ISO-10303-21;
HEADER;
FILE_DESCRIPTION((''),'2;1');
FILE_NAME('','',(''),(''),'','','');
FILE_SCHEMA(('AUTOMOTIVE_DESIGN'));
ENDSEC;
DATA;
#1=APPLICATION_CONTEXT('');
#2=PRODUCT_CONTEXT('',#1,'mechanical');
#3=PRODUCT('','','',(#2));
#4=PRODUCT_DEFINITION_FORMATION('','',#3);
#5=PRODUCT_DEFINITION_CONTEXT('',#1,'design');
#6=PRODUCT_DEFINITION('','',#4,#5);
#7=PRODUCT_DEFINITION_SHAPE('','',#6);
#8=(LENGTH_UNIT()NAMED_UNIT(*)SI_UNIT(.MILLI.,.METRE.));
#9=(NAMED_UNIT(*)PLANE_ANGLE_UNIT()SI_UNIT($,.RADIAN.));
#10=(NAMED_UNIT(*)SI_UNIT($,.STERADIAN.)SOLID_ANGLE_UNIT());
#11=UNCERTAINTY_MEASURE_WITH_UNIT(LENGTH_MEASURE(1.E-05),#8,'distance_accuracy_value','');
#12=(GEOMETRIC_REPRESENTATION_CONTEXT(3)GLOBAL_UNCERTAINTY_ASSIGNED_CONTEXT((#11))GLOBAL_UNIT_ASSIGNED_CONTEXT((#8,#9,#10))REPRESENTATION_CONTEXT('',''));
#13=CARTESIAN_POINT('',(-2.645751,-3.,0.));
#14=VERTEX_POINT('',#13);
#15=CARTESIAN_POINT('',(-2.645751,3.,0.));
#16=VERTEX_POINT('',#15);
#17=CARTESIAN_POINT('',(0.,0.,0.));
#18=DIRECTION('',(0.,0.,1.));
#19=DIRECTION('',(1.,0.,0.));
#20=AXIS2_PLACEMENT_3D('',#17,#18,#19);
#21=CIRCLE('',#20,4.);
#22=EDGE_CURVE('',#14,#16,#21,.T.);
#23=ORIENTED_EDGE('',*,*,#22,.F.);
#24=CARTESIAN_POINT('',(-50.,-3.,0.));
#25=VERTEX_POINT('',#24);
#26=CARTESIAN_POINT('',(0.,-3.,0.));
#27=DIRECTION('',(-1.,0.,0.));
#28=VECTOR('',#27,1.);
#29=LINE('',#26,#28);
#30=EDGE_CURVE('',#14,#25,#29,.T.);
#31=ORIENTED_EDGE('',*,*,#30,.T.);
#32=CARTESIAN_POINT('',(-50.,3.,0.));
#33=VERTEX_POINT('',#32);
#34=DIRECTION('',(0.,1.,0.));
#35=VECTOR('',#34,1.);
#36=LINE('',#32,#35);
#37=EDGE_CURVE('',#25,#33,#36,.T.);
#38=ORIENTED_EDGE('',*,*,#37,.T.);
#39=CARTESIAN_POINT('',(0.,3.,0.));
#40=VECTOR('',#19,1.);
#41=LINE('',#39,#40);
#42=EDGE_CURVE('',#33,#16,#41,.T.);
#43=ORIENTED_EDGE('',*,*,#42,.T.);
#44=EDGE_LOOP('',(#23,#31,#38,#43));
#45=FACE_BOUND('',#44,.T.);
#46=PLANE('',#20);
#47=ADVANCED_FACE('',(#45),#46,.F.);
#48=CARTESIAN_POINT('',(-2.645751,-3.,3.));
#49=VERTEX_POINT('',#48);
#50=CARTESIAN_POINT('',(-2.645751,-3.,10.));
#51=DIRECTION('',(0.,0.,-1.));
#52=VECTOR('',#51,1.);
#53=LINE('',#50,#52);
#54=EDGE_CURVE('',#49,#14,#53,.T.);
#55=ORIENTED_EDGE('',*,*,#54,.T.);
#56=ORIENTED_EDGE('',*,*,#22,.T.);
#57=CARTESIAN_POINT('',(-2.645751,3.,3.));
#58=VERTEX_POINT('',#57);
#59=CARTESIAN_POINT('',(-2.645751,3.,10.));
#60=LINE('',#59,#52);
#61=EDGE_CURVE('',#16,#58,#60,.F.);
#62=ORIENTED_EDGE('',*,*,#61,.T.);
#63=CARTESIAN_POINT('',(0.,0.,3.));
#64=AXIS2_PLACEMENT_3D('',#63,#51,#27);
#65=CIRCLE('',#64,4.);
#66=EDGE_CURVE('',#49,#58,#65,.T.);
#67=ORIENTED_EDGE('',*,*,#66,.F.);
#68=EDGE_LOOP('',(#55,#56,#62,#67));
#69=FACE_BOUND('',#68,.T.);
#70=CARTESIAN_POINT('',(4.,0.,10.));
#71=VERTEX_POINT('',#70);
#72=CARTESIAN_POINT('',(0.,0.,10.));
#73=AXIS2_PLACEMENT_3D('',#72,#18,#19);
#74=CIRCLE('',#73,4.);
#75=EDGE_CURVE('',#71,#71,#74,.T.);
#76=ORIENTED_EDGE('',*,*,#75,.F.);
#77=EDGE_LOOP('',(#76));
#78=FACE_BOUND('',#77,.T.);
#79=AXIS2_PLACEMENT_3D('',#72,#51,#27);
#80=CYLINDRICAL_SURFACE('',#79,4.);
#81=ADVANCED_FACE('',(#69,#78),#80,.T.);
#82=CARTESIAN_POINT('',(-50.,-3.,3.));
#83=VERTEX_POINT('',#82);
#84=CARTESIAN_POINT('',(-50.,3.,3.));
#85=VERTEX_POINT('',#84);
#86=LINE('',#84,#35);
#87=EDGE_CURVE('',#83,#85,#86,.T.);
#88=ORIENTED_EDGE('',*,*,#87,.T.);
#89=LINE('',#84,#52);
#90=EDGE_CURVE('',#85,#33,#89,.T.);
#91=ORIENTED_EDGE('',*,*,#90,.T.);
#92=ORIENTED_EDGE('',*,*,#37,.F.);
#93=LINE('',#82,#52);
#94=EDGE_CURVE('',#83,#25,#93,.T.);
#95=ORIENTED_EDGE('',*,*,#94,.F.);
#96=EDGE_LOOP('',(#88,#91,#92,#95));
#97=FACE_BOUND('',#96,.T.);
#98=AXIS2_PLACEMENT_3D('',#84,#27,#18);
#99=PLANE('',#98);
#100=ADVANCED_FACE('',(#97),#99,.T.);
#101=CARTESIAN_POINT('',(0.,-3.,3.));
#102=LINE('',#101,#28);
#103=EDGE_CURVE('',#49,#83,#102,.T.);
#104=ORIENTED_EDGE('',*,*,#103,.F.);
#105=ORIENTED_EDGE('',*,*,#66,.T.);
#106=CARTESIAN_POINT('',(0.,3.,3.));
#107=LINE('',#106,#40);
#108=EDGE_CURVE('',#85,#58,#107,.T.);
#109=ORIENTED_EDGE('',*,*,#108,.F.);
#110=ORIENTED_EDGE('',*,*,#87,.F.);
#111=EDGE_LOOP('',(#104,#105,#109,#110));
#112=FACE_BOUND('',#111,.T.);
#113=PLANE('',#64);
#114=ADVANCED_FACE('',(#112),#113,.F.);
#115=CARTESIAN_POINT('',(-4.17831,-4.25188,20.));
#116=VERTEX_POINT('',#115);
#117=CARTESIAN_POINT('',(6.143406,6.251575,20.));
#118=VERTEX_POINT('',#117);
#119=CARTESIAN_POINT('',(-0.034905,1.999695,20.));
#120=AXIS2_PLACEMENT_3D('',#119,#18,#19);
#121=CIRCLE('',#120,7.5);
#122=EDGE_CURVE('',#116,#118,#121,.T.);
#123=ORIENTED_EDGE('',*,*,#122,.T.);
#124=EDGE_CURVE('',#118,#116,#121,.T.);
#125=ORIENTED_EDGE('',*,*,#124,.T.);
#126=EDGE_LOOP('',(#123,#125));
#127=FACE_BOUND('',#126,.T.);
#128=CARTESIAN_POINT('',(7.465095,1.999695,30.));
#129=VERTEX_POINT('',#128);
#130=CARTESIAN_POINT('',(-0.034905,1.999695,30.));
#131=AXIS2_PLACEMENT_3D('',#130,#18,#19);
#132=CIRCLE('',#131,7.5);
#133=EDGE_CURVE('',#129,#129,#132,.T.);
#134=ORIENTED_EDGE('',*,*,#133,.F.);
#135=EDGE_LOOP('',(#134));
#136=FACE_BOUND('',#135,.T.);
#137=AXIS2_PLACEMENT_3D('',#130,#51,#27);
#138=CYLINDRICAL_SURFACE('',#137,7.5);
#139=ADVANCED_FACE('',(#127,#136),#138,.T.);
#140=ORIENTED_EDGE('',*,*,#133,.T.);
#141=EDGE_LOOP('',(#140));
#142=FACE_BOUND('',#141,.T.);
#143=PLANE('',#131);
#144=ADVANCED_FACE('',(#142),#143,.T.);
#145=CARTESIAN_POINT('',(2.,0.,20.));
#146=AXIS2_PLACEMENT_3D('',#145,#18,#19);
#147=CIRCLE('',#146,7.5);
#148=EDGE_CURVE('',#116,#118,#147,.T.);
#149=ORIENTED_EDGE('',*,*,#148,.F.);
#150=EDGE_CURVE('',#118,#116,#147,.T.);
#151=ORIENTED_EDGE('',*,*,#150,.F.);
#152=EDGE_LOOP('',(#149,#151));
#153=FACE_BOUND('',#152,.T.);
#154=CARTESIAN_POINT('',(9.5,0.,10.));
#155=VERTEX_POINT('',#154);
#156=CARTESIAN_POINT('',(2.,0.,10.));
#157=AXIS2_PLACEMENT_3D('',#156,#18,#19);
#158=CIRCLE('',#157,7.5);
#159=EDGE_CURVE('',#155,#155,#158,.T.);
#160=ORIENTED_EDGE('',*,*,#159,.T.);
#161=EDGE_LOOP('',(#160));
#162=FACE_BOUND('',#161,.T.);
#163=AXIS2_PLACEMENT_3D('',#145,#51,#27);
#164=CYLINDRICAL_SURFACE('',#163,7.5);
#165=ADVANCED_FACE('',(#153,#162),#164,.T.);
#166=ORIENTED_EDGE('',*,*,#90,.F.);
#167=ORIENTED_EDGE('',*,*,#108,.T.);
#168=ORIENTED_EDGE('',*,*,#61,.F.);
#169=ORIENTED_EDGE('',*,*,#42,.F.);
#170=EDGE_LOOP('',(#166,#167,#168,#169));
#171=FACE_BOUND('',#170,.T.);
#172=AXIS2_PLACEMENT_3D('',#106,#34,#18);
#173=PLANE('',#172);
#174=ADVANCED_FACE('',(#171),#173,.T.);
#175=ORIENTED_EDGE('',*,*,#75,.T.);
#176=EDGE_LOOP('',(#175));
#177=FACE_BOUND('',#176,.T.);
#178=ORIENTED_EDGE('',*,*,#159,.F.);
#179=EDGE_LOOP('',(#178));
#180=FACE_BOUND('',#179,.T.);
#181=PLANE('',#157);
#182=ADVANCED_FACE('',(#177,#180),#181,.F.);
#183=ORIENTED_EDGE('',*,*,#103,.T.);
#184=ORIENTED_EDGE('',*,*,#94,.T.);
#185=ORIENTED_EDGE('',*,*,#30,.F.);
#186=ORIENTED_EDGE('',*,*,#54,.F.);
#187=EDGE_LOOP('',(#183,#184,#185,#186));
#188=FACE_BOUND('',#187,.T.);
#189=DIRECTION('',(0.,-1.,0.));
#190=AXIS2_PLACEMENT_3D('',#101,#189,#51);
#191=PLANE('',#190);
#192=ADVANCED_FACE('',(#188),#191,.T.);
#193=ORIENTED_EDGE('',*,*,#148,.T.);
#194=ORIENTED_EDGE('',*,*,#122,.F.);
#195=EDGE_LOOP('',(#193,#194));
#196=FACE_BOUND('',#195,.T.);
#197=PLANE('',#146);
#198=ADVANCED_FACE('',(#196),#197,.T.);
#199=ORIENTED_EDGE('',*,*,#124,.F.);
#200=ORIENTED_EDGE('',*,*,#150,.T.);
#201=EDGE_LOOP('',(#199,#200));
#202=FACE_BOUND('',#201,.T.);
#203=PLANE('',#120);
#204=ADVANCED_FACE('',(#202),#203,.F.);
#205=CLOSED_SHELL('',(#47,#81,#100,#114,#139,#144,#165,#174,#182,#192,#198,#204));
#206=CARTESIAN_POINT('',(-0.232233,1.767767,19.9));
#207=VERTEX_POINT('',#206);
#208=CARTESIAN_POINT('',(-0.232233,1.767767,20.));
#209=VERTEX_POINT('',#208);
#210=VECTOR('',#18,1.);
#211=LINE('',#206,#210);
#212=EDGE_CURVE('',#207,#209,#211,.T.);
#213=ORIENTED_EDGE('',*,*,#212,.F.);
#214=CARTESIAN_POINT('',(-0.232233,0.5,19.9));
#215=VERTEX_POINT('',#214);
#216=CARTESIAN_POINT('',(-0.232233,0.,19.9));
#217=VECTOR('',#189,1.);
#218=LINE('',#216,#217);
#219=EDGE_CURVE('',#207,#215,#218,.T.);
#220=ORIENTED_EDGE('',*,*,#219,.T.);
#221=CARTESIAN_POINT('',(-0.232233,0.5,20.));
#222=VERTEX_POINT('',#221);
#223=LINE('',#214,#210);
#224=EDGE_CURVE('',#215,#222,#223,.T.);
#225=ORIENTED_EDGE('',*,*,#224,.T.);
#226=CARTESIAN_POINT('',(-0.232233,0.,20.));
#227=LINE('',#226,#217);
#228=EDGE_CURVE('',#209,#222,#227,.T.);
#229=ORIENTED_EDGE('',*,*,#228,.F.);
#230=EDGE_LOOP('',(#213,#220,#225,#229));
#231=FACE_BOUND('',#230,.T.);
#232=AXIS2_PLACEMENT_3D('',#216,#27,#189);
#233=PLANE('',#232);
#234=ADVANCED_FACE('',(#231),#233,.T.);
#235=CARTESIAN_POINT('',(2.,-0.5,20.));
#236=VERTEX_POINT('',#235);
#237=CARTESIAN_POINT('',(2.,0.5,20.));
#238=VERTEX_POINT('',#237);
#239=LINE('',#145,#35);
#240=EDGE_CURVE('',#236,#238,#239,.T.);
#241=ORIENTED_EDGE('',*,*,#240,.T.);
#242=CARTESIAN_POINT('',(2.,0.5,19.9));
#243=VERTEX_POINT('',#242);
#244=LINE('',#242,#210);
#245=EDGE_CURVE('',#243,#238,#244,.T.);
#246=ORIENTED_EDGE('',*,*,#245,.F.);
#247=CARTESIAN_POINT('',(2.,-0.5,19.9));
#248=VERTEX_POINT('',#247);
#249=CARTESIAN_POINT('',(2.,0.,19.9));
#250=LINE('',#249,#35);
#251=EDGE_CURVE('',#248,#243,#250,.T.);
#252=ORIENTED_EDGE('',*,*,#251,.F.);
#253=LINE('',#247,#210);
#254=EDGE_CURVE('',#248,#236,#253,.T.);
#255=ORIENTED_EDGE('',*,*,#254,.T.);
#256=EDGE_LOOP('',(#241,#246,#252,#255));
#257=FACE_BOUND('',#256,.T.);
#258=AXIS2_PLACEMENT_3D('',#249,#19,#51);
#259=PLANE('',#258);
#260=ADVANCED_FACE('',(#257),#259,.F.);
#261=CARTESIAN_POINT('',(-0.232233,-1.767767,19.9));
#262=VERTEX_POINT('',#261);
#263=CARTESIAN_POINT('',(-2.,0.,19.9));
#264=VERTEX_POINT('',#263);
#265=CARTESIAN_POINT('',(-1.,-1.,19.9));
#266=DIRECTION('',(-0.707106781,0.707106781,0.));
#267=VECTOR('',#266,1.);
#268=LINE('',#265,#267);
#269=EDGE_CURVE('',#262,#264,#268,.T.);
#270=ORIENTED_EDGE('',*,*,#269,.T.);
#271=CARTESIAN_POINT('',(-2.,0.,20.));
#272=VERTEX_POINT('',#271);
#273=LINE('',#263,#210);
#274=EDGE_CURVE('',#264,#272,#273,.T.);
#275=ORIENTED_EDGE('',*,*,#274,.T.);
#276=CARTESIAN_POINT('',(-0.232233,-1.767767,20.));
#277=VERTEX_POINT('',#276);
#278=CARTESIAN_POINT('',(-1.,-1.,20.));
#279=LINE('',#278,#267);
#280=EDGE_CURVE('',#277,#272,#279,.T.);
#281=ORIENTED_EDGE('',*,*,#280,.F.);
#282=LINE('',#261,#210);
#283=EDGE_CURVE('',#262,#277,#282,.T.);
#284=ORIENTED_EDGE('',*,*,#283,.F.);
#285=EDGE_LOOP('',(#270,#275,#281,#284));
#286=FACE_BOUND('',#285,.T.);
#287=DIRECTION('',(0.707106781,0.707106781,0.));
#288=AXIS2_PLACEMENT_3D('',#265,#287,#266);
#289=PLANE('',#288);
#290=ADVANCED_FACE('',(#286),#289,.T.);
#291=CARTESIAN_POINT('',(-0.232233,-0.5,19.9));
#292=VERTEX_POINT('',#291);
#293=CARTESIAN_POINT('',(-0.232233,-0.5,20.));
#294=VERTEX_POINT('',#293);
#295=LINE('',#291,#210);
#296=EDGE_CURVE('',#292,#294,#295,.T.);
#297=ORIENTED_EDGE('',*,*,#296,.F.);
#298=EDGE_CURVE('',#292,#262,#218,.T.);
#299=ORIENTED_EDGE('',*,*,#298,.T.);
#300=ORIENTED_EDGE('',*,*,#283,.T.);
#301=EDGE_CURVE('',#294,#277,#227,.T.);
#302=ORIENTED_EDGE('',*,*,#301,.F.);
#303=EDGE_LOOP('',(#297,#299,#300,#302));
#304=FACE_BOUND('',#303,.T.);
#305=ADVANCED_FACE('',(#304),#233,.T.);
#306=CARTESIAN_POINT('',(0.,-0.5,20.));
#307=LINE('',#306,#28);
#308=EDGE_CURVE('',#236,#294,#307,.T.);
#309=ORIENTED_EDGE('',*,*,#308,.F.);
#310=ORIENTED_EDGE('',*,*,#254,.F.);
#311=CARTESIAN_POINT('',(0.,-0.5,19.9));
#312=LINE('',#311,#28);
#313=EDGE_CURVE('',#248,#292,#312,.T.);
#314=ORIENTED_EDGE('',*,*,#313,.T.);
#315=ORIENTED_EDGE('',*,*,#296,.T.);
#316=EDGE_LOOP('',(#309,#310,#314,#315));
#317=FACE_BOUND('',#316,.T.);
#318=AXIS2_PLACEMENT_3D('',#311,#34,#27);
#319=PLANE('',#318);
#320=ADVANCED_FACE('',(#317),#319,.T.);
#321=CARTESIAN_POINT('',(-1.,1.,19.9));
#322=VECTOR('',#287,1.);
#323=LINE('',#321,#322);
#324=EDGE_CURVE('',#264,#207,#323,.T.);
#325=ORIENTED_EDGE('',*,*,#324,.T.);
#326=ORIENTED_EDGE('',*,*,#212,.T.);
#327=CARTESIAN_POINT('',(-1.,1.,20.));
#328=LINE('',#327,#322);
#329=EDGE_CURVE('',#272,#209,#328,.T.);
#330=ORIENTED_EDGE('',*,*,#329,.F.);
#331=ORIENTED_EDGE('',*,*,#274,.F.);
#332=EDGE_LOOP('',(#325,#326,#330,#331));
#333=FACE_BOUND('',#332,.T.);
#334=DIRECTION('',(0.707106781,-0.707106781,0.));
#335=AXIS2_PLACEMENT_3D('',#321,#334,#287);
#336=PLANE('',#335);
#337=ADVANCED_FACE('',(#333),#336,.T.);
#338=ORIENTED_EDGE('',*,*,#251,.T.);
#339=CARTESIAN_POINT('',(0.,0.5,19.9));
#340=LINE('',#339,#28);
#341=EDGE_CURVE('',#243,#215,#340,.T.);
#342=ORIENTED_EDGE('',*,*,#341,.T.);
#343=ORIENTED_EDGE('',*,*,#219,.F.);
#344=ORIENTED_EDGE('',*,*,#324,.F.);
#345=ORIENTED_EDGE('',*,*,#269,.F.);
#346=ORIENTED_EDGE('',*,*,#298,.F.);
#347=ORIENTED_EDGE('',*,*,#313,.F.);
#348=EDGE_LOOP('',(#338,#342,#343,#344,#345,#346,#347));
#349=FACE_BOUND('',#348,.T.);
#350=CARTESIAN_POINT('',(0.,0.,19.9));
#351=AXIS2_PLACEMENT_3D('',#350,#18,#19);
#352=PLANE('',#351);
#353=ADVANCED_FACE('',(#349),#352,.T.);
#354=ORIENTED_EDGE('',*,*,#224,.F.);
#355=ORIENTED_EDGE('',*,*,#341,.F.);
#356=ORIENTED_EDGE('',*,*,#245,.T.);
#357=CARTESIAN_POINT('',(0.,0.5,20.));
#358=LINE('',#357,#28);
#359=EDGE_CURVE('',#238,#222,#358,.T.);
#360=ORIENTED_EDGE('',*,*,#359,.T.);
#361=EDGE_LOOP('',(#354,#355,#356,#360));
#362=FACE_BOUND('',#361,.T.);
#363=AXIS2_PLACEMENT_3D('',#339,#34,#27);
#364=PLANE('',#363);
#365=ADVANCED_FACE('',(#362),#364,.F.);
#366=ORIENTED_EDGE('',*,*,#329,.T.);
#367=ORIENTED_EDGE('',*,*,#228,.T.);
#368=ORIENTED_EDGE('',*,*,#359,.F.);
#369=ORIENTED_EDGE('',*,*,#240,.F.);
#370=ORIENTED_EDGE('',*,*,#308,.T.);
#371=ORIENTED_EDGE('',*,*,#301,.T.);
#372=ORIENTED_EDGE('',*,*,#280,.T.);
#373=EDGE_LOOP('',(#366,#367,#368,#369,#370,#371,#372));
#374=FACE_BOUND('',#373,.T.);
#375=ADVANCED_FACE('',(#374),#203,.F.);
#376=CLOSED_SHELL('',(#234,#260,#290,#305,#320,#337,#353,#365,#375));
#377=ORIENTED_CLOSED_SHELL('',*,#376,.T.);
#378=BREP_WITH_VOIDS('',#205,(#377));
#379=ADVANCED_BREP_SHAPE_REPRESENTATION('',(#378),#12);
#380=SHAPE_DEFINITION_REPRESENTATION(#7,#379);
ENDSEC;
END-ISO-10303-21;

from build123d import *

# Parameters (mm, degrees)
SKETCH1_R           = 4
BOSS_EXTRUDE1_DEPTH = 10
SKETCH2_R           = 7.5
BOSS_EXTRUDE2_DEPTH = 10
SKETCH3_W           = 2.232233047
SKETCH3_H           = 0.5
CUT_EXTRUDE1_DEPTH  = 0.1
SKETCH6_R           = 7.5
BOSS_EXTRUDE5_DEPTH = 10
SKETCH7_W           = 50
SKETCH7_H           = 6
BOSS_EXTRUDE6_DEPTH = 3


with BuildPart() as part:
    # Sketch1 → Boss-Extrude1 (new body)
    with BuildSketch(Plane.XY):
        Circle(SKETCH1_R)
    extrude(amount=BOSS_EXTRUDE1_DEPTH)

    # Sketch2 → Boss-Extrude2 (add)
    with BuildSketch(Plane.XY.offset(10)):
        with Locations((2, 0)):
            Circle(SKETCH2_R)
    extrude(amount=BOSS_EXTRUDE2_DEPTH)

    # Sketch3 → Cut-Extrude1 (cut)
    with BuildSketch(Plane.XY.offset(20)):
        Polygon((-1.5, 0.5), (-0.232233047, 0.5), (-0.232233047, 1.767766953), align=None)
        Polygon((-2, 0), (-0.232233047, 0), (-0.232233047, 0.5), (-1.5, 0.5), align=None)
        Polygon((-0.232233047, -0.5), (-0.232233047, 0), (-2, 0), (-1.5, -0.5), align=None)
        Polygon((-0.232233047, -1.767766953), (-0.232233047, -0.5), (-1.5, -0.5), align=None)
        with Locations((0.883883476, 0.25)):
            Rectangle(SKETCH3_W, SKETCH3_H)
        with Locations((0.883883476, -0.25)):
            Rectangle(SKETCH3_W, SKETCH3_H)
    extrude(amount=-CUT_EXTRUDE1_DEPTH, mode=Mode.SUBTRACT)

    # Sketch6 → Boss-Extrude5 (add)
    with BuildSketch(Plane.XY.offset(20)):
        with Locations(Location((-0.034904813, 1.99969539, 0), (0, 0, 236.464463187))):
            Circle(SKETCH6_R)
    extrude(amount=BOSS_EXTRUDE5_DEPTH)

    # Sketch7 → Boss-Extrude6 (add)
    with BuildSketch(Plane(origin=(0, 0, 0), x_dir=(-1, 0, 0), z_dir=(0, 0, -1))):
        with Locations((25, 0)):
            Rectangle(SKETCH7_W, SKETCH7_H)
    extrude(amount=-BOSS_EXTRUDE6_DEPTH)


solid = part.part
